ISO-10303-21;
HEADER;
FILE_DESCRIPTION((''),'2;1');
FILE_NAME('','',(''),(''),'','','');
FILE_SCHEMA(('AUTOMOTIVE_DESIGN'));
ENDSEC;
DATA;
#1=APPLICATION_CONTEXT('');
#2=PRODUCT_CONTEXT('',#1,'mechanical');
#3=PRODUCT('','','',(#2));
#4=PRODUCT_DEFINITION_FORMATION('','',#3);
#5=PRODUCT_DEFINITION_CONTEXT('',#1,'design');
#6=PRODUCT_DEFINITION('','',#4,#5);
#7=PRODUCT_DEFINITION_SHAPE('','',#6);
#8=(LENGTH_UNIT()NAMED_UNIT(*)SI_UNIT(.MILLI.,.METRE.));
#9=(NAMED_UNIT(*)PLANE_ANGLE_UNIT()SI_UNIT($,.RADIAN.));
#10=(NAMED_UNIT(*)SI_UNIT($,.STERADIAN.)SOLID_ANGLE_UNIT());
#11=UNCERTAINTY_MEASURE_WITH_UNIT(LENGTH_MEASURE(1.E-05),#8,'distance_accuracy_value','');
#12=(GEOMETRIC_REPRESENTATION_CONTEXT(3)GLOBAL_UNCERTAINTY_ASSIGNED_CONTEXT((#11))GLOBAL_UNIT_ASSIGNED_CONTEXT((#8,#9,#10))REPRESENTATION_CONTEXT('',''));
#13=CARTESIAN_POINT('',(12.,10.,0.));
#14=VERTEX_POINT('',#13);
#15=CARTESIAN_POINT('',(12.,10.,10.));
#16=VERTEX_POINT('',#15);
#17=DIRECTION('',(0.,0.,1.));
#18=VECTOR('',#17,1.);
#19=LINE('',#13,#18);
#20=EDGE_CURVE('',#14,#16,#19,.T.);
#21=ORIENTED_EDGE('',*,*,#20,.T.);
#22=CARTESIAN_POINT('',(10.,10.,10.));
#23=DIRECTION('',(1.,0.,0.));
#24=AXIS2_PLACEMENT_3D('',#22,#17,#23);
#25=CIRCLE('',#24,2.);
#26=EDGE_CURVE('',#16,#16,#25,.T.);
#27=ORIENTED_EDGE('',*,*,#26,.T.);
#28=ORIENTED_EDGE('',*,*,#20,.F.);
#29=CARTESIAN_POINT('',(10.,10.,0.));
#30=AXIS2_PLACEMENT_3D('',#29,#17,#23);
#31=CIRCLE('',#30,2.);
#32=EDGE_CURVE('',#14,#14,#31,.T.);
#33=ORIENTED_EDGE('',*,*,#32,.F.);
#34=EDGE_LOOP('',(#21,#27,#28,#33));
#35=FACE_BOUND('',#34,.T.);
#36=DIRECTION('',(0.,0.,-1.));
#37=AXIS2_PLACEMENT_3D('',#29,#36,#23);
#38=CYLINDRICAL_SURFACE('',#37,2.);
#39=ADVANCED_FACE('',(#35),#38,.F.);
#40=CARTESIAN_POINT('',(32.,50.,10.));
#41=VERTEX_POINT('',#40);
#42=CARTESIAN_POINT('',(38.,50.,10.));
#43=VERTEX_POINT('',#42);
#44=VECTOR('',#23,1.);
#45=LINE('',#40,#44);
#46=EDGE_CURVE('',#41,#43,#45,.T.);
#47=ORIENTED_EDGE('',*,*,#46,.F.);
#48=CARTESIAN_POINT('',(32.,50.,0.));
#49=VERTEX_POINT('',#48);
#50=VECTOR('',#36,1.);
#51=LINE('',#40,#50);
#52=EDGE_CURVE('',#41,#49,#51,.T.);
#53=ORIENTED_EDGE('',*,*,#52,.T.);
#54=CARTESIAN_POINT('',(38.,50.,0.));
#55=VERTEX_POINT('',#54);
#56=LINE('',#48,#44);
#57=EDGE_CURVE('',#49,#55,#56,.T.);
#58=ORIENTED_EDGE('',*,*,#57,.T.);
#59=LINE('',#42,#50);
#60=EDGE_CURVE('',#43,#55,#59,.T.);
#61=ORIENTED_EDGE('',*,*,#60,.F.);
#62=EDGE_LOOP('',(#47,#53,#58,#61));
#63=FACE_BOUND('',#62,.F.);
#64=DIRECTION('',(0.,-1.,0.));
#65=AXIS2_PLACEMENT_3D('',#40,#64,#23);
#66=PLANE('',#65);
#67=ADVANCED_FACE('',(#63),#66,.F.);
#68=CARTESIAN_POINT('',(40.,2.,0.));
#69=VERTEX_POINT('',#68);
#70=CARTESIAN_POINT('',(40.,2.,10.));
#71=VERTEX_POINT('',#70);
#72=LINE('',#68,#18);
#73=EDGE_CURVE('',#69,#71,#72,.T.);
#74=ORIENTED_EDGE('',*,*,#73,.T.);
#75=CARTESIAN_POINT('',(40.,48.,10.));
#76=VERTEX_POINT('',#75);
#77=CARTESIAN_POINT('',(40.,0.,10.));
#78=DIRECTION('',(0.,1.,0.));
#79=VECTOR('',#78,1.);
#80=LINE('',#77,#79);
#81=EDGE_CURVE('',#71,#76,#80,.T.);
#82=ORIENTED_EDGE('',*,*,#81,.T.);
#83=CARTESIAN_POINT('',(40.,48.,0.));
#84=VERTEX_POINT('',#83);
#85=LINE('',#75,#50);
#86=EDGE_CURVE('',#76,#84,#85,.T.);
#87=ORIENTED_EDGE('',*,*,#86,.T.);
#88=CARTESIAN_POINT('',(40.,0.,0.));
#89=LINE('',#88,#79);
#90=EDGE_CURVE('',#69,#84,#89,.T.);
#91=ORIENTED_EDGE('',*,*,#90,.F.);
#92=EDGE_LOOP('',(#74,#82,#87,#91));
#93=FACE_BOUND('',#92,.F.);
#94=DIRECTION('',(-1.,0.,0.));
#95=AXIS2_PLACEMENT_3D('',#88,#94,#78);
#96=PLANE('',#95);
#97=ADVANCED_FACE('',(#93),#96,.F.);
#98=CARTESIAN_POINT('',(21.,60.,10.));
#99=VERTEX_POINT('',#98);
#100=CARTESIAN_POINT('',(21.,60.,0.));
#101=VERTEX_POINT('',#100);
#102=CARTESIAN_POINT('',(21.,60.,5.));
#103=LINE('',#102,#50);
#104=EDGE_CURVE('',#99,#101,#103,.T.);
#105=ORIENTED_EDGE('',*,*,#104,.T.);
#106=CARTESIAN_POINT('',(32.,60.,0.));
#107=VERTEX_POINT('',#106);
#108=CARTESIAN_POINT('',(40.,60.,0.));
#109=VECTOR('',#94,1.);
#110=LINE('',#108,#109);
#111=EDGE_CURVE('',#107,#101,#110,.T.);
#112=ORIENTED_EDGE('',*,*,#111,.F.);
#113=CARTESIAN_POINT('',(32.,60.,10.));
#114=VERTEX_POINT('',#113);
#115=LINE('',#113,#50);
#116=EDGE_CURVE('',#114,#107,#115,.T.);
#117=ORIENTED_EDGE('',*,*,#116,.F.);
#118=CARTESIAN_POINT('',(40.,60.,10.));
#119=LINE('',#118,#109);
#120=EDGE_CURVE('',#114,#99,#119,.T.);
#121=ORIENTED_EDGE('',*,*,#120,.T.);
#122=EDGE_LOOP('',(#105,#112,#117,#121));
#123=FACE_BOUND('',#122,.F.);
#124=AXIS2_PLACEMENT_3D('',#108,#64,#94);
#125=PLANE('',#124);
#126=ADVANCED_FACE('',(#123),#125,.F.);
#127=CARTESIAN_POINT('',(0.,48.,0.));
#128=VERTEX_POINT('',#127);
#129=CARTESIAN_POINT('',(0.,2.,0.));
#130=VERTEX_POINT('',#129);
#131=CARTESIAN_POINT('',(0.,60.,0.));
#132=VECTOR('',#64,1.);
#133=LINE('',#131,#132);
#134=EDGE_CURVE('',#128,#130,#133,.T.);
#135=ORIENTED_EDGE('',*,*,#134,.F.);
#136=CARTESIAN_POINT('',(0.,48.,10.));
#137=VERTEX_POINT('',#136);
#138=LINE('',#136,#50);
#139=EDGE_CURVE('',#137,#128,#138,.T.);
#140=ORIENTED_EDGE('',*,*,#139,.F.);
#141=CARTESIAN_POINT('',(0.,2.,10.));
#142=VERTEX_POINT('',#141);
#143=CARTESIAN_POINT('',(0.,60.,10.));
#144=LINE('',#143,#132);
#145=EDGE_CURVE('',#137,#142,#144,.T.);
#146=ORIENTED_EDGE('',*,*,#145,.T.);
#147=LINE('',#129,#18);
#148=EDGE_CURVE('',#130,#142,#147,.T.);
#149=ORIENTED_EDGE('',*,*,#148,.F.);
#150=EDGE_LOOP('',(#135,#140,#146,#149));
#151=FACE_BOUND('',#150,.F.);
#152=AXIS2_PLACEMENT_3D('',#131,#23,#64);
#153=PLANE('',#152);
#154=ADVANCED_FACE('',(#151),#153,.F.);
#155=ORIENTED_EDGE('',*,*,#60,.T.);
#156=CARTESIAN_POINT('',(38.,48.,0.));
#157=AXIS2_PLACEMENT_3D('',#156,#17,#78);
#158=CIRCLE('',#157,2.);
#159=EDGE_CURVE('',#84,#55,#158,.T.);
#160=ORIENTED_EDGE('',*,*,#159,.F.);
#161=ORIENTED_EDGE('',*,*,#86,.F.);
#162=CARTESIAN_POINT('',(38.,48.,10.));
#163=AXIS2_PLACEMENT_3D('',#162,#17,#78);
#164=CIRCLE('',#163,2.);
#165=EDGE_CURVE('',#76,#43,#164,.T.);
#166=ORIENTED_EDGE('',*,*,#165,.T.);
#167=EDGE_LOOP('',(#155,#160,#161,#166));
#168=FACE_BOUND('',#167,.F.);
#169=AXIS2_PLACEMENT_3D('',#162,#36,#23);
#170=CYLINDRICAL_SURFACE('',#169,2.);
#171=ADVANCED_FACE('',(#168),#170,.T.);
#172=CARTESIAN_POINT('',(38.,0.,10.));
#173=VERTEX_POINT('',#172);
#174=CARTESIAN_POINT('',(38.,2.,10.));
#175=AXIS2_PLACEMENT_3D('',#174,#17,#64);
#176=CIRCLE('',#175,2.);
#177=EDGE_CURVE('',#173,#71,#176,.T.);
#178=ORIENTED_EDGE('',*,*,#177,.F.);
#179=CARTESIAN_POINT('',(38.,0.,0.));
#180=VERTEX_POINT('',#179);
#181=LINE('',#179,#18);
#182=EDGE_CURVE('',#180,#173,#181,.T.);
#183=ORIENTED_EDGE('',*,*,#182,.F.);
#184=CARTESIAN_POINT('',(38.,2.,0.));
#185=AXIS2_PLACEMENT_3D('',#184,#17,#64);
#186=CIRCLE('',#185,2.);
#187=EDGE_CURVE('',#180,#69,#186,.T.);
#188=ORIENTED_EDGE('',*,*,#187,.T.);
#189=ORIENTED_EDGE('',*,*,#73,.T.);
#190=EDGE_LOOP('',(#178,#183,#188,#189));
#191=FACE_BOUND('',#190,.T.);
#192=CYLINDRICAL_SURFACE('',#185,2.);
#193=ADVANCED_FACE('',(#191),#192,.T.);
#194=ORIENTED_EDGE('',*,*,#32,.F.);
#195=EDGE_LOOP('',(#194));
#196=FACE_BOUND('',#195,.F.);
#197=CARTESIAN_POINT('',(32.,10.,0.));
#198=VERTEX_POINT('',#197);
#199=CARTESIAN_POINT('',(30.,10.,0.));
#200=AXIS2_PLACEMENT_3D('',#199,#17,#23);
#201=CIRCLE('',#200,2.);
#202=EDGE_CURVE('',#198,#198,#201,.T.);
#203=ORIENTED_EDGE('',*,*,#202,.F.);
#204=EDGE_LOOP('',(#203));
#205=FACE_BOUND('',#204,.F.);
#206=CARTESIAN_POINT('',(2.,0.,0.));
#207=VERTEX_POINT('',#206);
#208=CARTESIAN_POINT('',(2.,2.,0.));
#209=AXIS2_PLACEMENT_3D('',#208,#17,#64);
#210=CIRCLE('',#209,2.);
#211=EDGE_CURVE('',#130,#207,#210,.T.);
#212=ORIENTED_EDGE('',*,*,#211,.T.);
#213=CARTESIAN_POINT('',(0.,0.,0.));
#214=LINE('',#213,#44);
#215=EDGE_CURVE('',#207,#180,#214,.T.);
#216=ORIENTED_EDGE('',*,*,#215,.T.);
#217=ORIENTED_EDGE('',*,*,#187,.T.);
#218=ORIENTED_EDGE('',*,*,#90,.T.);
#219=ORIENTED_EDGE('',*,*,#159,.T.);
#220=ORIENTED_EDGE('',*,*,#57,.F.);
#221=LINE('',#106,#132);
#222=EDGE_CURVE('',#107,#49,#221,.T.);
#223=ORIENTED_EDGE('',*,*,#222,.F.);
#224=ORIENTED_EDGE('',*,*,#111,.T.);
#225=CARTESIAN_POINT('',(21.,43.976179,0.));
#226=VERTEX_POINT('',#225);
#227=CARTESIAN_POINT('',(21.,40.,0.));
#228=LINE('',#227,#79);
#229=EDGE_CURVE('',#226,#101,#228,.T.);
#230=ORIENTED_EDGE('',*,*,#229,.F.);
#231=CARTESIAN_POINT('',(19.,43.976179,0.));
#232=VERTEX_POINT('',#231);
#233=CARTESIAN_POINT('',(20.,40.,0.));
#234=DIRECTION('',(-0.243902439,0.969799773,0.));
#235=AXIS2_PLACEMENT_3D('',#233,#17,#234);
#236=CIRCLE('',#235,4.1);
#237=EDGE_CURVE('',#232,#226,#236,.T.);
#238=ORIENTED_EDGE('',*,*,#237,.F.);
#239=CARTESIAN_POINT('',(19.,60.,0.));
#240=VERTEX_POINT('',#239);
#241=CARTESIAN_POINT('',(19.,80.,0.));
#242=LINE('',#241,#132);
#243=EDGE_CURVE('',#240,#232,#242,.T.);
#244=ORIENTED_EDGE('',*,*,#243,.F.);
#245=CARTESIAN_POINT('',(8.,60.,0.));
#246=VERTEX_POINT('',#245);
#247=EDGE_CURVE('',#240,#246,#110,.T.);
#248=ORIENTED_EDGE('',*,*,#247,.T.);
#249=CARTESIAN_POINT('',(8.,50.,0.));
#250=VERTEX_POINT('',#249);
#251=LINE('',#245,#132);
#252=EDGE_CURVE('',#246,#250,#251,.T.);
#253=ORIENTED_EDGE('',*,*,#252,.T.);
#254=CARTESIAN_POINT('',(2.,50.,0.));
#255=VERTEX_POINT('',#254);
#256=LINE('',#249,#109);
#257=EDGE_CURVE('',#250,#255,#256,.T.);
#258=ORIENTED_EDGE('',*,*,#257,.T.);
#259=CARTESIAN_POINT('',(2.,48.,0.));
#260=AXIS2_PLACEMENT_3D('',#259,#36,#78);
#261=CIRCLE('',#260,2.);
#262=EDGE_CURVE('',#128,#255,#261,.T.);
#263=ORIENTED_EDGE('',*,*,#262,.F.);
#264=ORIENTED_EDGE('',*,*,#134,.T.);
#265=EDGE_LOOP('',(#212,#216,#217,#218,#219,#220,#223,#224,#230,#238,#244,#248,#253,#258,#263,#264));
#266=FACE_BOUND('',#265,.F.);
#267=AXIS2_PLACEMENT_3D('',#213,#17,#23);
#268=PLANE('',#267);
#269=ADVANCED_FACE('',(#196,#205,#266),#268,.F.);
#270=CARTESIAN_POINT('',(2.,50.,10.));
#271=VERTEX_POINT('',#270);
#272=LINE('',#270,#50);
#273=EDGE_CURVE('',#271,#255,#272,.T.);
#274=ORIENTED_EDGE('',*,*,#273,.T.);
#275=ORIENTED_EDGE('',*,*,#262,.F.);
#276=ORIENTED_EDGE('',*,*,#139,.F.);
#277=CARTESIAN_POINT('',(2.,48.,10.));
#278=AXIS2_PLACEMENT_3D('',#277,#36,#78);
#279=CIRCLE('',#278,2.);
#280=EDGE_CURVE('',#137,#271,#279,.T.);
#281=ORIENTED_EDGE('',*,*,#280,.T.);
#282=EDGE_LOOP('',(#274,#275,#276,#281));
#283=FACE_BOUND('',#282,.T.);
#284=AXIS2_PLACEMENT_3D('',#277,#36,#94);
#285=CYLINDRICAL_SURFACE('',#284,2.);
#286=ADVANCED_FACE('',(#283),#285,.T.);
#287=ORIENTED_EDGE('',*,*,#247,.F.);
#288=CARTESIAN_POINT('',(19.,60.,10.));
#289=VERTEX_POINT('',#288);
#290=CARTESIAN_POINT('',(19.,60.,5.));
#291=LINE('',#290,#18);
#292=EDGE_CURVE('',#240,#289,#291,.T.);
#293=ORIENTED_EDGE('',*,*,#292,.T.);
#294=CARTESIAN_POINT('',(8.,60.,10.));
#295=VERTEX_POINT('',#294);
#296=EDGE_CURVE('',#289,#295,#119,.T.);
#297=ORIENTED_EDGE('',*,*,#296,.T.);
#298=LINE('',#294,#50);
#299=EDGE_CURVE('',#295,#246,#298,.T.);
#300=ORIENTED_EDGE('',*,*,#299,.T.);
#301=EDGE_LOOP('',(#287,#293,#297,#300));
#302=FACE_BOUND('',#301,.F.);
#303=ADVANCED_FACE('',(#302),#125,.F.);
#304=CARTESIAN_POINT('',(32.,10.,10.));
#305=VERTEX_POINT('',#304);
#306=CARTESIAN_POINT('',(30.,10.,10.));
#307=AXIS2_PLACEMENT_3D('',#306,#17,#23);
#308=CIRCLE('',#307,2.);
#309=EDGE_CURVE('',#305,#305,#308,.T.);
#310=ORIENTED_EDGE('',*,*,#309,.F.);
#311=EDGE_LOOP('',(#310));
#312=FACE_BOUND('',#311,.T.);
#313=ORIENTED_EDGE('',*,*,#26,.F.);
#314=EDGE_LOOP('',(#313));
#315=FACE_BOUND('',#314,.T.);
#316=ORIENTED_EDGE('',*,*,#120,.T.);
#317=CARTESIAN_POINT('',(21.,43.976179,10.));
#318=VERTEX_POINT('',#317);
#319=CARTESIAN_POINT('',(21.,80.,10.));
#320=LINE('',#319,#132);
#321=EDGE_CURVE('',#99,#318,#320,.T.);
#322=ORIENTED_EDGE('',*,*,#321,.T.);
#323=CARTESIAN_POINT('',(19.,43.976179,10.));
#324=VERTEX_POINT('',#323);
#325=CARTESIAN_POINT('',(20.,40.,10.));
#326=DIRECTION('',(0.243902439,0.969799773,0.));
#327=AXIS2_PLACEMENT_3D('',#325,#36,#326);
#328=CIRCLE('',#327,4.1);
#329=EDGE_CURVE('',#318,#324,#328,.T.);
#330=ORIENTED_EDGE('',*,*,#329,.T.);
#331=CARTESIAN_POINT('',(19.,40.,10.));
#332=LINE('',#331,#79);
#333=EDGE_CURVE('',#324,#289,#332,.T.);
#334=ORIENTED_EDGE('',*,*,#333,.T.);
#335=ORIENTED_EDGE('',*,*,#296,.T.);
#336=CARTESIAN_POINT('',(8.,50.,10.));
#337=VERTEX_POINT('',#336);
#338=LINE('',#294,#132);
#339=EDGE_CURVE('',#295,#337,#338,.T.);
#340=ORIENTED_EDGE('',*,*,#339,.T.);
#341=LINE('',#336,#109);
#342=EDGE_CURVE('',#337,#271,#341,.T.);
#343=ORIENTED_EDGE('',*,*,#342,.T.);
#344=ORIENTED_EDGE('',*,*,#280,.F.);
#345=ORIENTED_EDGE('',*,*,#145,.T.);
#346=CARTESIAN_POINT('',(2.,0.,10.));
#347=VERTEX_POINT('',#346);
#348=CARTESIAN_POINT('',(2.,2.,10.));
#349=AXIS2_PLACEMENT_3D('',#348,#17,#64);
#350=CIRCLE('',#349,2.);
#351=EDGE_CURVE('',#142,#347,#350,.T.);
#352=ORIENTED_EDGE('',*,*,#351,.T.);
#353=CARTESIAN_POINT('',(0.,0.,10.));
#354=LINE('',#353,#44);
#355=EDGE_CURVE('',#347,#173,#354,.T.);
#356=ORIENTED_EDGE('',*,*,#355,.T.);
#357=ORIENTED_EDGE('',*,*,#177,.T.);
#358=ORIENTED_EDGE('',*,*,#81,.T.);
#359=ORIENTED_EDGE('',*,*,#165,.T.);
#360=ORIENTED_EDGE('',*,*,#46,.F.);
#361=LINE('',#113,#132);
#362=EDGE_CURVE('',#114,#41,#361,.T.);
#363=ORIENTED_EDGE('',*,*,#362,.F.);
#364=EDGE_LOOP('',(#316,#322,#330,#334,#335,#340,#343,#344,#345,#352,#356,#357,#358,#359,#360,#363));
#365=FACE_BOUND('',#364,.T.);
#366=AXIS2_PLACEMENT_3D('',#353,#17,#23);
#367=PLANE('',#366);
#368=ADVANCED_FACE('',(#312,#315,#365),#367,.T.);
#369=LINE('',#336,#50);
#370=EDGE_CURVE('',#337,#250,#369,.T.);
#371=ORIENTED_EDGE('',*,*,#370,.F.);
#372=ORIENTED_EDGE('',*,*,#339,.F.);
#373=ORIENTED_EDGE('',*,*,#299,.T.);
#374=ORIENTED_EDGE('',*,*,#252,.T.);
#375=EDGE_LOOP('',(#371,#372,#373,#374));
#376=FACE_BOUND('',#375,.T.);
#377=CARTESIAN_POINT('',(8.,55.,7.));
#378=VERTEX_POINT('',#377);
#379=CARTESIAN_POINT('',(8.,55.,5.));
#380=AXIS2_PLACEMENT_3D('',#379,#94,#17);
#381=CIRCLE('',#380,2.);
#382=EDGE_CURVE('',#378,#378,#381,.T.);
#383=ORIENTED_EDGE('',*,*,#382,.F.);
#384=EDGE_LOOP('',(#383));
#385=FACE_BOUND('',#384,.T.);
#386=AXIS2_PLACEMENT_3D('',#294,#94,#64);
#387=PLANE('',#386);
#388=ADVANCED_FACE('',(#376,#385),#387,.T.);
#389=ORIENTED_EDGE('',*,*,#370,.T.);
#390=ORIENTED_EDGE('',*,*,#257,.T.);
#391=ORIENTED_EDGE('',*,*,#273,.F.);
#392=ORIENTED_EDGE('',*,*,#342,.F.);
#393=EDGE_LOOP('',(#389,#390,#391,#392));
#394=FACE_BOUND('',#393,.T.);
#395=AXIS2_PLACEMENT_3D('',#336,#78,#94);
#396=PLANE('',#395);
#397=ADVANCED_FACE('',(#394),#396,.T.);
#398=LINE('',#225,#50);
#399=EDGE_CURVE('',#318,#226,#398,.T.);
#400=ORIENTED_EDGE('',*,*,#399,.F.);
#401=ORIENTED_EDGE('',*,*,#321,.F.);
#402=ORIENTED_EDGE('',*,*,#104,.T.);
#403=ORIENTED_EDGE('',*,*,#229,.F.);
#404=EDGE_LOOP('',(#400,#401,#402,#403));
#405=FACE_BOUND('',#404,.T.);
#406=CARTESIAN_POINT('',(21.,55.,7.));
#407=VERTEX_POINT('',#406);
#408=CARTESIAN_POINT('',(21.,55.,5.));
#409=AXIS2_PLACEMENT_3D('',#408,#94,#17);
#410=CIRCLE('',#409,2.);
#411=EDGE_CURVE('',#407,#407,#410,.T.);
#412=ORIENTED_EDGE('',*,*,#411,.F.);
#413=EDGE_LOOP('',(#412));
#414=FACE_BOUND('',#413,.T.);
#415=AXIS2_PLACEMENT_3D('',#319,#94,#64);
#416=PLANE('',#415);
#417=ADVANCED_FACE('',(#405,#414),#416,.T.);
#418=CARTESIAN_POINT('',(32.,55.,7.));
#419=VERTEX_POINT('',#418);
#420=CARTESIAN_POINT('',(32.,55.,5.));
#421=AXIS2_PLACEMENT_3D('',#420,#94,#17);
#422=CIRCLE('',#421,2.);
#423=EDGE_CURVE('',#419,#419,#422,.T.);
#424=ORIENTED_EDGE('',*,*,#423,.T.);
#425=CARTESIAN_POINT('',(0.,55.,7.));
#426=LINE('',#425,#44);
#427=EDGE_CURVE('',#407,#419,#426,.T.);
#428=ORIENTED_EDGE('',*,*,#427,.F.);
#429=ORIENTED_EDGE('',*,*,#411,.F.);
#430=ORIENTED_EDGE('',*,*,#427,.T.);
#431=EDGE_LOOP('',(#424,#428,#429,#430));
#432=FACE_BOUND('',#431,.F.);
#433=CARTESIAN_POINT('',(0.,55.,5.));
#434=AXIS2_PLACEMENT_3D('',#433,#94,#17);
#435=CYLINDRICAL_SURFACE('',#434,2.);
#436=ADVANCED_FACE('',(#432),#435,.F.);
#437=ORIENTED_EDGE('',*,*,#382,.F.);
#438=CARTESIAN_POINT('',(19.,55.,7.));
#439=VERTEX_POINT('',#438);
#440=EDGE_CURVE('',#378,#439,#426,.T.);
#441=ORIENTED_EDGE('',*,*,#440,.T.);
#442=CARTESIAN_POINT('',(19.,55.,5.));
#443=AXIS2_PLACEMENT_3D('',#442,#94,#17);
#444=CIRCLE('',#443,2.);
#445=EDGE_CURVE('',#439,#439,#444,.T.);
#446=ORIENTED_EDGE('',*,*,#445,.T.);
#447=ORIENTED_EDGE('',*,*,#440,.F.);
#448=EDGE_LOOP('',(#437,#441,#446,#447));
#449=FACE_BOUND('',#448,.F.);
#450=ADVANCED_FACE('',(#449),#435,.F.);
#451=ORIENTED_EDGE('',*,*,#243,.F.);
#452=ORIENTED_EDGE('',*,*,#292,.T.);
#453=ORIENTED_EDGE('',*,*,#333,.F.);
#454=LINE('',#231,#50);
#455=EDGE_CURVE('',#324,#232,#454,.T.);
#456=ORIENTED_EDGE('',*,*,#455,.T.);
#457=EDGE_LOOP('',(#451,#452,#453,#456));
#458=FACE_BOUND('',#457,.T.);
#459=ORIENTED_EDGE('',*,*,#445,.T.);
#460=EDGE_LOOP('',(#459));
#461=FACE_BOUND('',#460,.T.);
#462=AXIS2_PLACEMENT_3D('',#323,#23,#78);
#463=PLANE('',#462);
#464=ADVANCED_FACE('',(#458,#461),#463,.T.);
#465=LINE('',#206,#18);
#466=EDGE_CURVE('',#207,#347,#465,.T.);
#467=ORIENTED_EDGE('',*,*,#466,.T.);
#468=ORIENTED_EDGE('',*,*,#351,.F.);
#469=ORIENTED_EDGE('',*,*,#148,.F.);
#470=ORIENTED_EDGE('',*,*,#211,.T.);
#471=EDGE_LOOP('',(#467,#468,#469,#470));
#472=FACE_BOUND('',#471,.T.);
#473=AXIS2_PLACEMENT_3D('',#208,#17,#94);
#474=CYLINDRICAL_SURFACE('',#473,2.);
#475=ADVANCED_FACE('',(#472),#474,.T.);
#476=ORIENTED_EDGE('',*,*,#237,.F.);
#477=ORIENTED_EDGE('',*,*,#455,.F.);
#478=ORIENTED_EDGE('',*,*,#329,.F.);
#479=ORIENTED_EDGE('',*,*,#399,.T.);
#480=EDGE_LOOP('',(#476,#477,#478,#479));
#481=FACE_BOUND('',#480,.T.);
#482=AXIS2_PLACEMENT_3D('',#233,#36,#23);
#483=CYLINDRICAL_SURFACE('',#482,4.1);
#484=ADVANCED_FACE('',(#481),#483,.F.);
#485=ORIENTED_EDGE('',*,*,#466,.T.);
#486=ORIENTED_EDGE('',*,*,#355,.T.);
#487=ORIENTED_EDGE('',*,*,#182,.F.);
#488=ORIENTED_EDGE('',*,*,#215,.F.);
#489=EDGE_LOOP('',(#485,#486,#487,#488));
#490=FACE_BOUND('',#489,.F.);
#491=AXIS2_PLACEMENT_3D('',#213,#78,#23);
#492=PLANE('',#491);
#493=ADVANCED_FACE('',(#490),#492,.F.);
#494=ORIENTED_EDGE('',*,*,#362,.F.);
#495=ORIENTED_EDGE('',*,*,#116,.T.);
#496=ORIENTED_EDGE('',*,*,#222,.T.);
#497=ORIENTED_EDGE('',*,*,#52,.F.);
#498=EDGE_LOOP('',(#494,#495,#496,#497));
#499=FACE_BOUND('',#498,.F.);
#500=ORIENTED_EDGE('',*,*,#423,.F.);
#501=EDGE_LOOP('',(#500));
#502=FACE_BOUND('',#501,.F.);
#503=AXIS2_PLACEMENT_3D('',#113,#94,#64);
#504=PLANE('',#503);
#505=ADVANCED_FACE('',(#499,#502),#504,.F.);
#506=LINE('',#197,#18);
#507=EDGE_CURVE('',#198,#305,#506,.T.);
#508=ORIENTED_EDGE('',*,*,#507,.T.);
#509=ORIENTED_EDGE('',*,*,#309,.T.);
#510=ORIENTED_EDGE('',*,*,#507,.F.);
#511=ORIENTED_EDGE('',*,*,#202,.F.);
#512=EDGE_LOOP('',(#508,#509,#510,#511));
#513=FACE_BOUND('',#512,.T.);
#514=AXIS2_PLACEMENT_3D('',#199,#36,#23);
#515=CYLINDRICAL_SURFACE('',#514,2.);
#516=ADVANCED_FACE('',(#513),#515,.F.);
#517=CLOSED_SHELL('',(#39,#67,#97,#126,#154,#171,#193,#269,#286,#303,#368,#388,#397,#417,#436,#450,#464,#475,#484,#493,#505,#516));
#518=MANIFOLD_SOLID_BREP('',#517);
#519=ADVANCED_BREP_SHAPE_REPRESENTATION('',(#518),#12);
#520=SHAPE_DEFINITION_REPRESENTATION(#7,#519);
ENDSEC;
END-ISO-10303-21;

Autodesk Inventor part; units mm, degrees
ref_plane "YZ Plane" through (0, 0, 0) normal (1, 0, 0) x (0, 1, 0)
ref_plane "XZ Plane" through (0, 0, 0) normal (0, 1, 0) x (-1, 0, 0)
ref_plane "XY Plane" through (0, 0, 0) normal (0, 0, 1) x (1, 0, 0)
sketch "スケッチ1" plane through (0, 0, 0) normal (0, 0, 1) x (1, 0, 0)
  line L0 (0, 0) -> (40, 0)
  line L1 (40, 0) -> (40, 60)
  line L2 (40, 60) -> (0, 60)
  line L3 (0, 60) -> (0, 0)
  line L4 (0, 10) -> (40, 10) construction
  circle A0 centre (10, 10) radius 2
  circle A1 centre (30, 10) radius 2
  line L5 (20, 60) -> (20, 40) construction
  circle A2 centre (20, 40) radius 4.1
  dimension "d0" = 10
  dimension "d1" = 10
  dimension "d2" = 10
  dimension "d3" = 40
  dimension "d4" = 4
  dimension "d5" = 8.2
  dimension "d6" = 40
  dimension "d7" = 20
extrude "押し出し1" add sketch "スケッチ1" along normal blind 10
sketch "スケッチ2" plane through (0, 0, 10) normal (0, 0, 1) x (1, 0, 0)
  line L0 (40, 60) -> (0, 60) construction
  line L1 (20, 60) -> (20, 0) construction
  line L2 (0, 0) -> (40, 0) construction
  line L3 (0, 60) -> (8, 60)
  line L4 (8, 60) -> (8, 50)
  line L5 (8, 50) -> (0, 50)
  line L6 (0, 50) -> (0, 60)
  line L7 (40, 0) -> (40, 60) projected
  line L8 (40, 60) -> (32, 60)
  line L9 (32, 60) -> (32, 50)
  line L10 (32, 50) -> (40, 50)
  line L11 (40, 50) -> (40, 60)
  line L12 (19, 80) -> (21, 80)
  line L13 (21, 80) -> (21, 40)
  line L14 (21, 40) -> (19, 40)
  line L15 (19, 40) -> (19, 80)
  line L16 (19, 80) -> (21, 40) construction
  line L17 (21, 80) -> (19, 40) construction
  circle A0 centre (20, 40) radius 4.1 projected
  dimension "d11" = 10
  dimension "d12" = 8
  dimension "d13" = 2
extrude "押し出し2" cut sketch "スケッチ2" against normal blind 10 contours L3 L4 L5 L6 | L10 L9 L8 L7 | L12 L13 A0 L15 | A0 L13 L14 L15 picked at (19.8879, 41.3621)
sketch "スケッチ3" plane through (0, 0, 0) normal (-1, 0, 0) x (0, 0, 1)
  line L0 (0, 0) -> (10, 0) construction
  line L1 (5, 0) -> (5, 59.7235) construction
  circle A0 centre (5, 55) radius 2
  line L2 (10, 60) -> (0, 60) construction
  dimension "d16" = 5
  dimension "d17" = 4
extrude "押し出し3" cut sketch "スケッチ3" against normal through all
fillet "フィレット1" radius 2 4 edges at (0, 0, 5) (40, 0, 5) (40, 50, 5) (0, 50, 5)
properties part number "ガイド輪マウント"
